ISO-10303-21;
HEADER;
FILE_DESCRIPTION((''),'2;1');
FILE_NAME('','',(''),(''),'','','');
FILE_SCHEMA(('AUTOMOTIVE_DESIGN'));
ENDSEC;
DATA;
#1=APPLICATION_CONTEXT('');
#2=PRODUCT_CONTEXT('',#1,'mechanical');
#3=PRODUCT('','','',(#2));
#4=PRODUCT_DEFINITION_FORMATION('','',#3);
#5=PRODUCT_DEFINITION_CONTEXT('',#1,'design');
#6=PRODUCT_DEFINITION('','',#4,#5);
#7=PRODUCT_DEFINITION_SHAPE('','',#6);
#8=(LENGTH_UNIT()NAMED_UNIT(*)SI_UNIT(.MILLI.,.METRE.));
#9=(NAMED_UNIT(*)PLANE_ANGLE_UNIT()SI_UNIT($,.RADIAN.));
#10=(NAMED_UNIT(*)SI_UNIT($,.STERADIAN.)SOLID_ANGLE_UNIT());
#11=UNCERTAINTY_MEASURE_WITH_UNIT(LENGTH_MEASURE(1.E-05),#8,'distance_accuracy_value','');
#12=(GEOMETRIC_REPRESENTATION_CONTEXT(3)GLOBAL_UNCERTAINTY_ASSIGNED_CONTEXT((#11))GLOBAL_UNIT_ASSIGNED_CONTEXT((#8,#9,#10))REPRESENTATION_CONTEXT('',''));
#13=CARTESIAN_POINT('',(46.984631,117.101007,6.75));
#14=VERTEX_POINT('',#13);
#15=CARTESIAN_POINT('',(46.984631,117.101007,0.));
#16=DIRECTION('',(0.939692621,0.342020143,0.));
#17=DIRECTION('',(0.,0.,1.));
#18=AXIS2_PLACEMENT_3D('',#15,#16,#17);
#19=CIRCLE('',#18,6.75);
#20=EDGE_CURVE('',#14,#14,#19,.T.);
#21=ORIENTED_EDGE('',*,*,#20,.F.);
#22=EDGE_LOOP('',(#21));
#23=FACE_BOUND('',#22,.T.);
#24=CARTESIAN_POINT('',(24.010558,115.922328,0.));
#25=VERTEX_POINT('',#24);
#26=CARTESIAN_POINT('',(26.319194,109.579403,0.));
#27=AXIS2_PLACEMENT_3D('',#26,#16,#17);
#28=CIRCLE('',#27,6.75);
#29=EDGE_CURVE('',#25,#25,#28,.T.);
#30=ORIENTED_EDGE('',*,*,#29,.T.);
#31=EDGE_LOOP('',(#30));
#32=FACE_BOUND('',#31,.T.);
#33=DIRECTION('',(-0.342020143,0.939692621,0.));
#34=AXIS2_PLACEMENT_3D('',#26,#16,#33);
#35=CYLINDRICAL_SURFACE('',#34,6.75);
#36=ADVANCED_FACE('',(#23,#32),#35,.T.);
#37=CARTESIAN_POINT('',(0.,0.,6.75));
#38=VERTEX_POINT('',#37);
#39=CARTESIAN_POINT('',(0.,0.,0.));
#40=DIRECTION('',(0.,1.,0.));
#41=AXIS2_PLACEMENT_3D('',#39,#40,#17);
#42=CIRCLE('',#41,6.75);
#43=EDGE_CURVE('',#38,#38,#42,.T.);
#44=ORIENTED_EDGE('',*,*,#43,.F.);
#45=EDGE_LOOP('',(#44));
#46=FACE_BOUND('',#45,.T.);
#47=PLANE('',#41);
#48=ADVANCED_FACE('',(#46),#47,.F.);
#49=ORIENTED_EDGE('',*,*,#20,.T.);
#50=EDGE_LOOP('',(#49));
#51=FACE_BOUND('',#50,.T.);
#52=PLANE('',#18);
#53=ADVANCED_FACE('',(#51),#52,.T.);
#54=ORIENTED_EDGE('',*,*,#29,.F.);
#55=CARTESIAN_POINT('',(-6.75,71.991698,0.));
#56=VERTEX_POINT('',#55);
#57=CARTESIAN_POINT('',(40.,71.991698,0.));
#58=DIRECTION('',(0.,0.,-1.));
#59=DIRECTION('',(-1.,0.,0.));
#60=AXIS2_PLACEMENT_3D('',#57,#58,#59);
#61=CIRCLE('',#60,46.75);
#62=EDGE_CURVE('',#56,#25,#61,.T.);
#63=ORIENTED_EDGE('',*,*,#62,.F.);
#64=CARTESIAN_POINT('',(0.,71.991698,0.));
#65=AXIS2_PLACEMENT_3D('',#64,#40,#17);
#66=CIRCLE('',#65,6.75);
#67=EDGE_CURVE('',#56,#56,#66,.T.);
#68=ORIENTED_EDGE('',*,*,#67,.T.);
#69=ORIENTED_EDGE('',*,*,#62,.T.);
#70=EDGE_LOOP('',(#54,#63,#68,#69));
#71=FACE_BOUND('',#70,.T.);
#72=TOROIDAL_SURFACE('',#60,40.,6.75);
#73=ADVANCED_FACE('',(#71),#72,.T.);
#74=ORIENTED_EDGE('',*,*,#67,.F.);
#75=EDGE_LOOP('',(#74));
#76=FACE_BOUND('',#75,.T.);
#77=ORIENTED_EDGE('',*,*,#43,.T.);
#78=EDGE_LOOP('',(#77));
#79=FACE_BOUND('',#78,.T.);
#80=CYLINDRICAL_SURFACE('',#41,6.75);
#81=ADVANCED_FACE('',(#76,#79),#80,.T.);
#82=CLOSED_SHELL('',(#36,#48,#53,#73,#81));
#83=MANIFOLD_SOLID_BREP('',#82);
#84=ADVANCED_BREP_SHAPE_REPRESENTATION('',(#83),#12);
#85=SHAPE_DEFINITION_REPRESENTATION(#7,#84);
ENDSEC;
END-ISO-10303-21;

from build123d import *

# Parameters (mm, degrees)
SKETCH2_R = 6.75


with BuildPart() as part:
    # Sweep1: sweep along a path in Sketch1
    with BuildLine(Plane.XY) as sweep1_path:
        Line((0, 0), (0, 71.991698472))
        ThreePointArc((0, 71.991698472), (7.233918228, 94.934755926), (26.319194267, 109.579403303))
        Line((26.319194267, 109.579403303), (46.984631039, 117.101007166))
    # Sketch2 → Sweep1 (sweep)
    with BuildSketch(Plane(origin=(0, 0, 0), x_dir=(1, 0, 0), z_dir=(0, 1, 0))):
        Circle(SKETCH2_R)
    sweep(path=sweep1_path.line)


solid = part.part
